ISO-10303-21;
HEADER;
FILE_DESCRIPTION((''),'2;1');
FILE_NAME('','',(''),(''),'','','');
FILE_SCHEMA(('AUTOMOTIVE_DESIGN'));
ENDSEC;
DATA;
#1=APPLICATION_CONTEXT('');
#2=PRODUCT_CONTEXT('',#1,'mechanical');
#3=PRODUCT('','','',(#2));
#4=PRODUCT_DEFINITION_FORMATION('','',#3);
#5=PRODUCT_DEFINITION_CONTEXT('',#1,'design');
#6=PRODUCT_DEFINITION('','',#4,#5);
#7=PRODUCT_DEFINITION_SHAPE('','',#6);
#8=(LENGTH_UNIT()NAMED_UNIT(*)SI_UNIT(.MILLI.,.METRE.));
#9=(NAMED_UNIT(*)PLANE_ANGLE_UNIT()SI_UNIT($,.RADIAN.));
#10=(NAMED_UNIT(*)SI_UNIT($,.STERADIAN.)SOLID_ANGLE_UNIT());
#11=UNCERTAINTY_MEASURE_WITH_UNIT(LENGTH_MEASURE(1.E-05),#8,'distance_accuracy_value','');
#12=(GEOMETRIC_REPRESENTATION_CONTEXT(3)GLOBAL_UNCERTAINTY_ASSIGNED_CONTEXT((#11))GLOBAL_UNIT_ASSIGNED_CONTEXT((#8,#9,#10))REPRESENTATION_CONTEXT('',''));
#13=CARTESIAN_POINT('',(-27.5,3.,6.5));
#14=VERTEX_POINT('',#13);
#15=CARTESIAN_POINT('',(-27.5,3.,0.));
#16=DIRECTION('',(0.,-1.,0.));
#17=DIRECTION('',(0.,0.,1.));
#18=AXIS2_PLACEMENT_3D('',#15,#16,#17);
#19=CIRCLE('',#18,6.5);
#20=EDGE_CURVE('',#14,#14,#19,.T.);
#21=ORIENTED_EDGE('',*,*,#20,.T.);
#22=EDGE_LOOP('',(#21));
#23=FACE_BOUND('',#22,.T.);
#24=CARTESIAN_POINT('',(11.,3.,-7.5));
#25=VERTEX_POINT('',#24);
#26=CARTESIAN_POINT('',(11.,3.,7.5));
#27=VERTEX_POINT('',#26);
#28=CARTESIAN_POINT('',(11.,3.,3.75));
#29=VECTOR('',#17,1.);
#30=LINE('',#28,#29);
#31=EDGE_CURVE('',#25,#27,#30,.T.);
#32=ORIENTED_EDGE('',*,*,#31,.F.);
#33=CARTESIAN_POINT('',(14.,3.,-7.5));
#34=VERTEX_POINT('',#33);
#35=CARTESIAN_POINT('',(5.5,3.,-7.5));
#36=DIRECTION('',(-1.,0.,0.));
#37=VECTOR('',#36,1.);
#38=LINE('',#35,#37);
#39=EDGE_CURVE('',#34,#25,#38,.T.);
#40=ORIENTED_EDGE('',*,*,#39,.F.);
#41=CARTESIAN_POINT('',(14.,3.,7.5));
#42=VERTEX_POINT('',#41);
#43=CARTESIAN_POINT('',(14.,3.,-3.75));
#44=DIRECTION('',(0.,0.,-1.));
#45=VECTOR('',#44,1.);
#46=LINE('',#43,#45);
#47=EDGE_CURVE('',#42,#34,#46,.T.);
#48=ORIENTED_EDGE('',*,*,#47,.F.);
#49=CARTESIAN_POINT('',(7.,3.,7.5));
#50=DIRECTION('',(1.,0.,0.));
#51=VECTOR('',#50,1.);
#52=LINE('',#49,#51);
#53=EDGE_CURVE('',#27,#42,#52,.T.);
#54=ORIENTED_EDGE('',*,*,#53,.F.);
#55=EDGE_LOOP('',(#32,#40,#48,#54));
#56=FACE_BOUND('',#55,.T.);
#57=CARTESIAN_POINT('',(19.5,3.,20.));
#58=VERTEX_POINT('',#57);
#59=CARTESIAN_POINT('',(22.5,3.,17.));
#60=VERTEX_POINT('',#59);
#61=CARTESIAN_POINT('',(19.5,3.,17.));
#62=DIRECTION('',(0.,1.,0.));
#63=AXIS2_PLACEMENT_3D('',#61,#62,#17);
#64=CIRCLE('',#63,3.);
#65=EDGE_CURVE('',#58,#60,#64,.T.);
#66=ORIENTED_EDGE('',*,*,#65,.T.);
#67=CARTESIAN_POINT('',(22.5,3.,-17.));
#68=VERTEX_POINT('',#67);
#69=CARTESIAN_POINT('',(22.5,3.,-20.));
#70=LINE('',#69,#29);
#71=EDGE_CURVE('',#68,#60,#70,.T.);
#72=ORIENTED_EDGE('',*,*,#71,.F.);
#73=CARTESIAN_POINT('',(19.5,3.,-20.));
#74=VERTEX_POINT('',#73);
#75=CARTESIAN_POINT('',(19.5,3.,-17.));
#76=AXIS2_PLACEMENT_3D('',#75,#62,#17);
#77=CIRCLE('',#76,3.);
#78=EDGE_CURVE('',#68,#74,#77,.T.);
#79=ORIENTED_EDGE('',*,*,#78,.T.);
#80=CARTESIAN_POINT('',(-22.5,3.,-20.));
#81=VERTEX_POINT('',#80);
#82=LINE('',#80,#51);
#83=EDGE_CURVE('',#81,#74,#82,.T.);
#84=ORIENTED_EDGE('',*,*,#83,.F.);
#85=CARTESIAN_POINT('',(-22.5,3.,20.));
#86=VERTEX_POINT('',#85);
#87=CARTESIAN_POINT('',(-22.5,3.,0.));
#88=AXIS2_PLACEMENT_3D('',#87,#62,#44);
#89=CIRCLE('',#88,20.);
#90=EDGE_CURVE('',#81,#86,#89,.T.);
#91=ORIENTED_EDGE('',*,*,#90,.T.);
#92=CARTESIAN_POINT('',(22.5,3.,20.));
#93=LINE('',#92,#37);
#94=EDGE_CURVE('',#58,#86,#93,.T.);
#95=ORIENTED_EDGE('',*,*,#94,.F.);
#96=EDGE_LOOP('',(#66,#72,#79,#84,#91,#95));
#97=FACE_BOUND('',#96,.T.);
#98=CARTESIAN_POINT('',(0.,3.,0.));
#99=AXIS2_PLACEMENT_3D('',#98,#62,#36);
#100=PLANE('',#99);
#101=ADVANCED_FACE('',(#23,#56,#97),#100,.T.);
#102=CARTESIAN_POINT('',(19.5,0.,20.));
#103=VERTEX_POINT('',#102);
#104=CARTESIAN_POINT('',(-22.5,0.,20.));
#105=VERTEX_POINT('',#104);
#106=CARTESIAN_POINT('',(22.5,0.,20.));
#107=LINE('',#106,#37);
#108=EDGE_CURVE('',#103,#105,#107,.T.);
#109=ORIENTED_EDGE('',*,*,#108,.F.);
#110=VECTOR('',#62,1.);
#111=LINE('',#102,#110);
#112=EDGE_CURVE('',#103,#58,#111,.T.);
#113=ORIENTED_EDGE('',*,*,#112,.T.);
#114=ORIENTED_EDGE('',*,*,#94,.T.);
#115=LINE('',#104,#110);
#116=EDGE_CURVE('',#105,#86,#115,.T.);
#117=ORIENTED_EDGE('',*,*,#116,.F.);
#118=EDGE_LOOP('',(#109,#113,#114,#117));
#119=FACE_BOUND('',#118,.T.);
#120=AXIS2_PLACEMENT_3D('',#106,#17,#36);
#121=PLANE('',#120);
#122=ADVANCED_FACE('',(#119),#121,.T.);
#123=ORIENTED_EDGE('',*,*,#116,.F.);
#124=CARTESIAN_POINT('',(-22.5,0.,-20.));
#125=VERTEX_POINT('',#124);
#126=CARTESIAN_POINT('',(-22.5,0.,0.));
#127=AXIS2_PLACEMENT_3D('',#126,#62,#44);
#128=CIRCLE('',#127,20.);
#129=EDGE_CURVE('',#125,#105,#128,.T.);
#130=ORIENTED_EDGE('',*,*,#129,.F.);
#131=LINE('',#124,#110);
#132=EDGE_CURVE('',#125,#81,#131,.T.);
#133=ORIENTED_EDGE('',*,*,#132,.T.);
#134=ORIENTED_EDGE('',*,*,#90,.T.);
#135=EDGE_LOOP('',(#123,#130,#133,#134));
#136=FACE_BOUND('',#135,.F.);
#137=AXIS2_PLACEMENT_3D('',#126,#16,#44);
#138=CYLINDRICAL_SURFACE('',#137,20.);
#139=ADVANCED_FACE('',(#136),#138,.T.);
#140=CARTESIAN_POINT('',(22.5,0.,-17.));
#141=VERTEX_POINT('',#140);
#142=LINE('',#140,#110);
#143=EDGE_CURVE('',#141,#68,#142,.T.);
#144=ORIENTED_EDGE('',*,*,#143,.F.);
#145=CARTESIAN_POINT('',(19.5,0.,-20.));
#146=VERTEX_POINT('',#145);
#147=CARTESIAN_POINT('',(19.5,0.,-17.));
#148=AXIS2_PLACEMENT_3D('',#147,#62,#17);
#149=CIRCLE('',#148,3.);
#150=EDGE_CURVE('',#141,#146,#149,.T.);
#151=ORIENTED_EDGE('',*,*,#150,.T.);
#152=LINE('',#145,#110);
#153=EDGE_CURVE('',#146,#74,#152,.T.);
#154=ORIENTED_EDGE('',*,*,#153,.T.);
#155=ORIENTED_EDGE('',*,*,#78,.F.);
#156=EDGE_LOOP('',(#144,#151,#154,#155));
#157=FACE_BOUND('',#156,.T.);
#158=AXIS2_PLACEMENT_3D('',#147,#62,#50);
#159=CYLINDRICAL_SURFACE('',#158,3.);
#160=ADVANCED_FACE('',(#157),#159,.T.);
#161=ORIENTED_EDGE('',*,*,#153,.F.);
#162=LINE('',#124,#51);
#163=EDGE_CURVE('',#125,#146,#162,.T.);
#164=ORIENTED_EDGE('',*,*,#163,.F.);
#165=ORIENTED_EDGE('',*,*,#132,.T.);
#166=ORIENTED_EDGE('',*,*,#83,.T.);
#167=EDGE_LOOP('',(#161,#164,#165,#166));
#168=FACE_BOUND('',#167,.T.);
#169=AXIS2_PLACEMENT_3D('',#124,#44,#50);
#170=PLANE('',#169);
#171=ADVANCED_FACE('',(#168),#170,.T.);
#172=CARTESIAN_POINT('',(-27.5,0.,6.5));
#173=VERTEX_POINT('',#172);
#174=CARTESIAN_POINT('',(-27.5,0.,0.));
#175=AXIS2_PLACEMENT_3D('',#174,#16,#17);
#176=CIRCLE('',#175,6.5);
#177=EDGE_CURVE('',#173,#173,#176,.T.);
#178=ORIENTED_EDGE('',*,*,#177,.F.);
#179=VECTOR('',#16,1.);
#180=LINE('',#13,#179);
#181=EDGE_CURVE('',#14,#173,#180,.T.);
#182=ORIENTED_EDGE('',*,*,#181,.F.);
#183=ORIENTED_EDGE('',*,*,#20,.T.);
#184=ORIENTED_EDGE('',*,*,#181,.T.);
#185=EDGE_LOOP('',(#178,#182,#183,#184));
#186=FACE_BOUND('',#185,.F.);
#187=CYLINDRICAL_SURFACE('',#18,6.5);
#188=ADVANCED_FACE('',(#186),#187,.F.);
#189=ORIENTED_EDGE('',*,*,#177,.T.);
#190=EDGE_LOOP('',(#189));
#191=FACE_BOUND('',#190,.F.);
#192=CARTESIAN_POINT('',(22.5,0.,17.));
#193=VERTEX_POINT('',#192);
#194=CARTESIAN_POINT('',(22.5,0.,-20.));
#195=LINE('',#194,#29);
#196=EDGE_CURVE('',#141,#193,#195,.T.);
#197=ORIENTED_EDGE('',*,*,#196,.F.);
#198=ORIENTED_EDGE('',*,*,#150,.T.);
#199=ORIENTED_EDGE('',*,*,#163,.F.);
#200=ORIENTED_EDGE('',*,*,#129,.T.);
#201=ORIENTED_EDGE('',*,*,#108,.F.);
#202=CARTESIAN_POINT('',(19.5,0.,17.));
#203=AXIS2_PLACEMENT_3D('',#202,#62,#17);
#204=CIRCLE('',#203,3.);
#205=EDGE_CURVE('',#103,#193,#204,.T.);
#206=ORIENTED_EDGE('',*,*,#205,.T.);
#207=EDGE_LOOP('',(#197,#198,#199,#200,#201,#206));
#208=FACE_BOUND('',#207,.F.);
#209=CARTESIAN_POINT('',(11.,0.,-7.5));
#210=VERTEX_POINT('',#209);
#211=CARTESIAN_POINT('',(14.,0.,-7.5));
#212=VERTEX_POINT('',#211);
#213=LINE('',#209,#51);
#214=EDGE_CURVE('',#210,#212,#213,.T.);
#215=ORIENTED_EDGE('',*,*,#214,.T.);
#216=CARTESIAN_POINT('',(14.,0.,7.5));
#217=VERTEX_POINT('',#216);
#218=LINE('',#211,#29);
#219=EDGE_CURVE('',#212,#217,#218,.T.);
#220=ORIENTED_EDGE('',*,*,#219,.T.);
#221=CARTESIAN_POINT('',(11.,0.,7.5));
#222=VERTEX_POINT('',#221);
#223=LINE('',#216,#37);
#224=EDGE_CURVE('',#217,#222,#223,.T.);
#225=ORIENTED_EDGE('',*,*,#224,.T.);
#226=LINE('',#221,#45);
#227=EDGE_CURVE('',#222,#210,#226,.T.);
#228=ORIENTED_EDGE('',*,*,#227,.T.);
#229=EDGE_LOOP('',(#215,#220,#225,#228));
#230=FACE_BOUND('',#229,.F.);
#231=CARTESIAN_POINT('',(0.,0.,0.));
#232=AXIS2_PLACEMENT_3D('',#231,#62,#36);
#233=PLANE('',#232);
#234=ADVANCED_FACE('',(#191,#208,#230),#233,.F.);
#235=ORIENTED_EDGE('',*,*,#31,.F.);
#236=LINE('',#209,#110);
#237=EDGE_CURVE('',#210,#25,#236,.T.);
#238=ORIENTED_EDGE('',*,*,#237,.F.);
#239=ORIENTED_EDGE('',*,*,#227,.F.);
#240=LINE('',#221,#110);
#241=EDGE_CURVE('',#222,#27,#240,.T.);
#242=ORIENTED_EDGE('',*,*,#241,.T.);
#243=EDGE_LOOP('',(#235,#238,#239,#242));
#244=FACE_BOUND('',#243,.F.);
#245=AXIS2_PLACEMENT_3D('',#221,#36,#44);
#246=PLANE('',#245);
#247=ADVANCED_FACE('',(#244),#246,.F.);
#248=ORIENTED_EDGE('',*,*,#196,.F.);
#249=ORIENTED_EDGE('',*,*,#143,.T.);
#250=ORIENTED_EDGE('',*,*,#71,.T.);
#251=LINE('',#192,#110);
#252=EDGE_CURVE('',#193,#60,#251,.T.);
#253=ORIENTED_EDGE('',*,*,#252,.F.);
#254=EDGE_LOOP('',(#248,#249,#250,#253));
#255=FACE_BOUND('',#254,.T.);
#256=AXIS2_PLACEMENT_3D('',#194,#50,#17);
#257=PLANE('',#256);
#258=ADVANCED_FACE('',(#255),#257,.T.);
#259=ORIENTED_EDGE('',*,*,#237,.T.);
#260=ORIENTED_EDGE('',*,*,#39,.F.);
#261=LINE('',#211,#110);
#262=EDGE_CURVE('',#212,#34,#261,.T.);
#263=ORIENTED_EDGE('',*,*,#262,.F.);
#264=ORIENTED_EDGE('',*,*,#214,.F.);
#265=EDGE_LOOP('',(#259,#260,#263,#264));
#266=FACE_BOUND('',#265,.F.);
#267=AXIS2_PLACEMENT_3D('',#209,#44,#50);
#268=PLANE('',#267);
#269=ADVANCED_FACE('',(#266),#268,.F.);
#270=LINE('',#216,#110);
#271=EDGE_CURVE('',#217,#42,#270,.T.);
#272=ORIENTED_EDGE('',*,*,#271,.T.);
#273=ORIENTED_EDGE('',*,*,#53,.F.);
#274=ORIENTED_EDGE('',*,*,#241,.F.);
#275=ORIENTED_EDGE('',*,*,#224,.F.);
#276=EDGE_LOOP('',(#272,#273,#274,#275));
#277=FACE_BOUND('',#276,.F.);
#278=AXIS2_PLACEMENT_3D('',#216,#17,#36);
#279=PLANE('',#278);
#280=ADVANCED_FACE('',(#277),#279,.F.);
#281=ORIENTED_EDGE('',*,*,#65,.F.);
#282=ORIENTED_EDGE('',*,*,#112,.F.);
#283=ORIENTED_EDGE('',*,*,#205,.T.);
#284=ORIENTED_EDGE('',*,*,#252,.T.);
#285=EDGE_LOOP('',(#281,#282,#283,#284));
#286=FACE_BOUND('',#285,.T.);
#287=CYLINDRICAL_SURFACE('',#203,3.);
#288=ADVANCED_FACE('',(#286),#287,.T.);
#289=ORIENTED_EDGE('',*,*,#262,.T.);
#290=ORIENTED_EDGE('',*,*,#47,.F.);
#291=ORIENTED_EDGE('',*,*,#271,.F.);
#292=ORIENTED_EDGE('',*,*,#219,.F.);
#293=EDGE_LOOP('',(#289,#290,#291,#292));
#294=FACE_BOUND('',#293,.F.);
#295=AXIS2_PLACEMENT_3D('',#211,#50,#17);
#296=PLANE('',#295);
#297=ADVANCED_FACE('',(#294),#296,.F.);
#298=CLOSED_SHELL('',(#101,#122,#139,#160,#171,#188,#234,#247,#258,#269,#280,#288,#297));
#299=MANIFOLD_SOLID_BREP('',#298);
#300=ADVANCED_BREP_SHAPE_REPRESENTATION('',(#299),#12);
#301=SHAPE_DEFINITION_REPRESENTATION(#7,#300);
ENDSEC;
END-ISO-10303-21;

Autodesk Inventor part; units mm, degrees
ref_plane "YZ Plane" through (0, 0, 0) normal (1, 0, 0) x (0, 1, 0)
ref_plane "XZ Plane" through (0, 0, 0) normal (0, 1, 0) x (-1, 0, 0)
ref_plane "XY Plane" through (0, 0, 0) normal (0, 0, 1) x (1, 0, 0)
sketch "Sketch1" plane through (0, 0, 0) normal (0, 1, 0) x (-1, 0, 0)
  line L0 (-22.5, 20) -> (22.5, 20)
  line L1 (22.5, 20) -> (22.5, -20)
  line L2 (22.5, -20) -> (-22.5, -20)
  line L3 (-22.5, -20) -> (-22.5, 20)
  line L4 (-22.5, 20) -> (22.5, -20) construction
  line L5 (22.5, 20) -> (-22.5, -20) construction
  arc A0 (22.5, -20) -> (22.5, 20) centre (22.5, 0) ccw
  point P0 (0, 0)
  dimension "d0" = 45
  dimension "d1" = 40
  dimension "d2" = 20
extrude "Extrusion1" add sketch "Sketch1" along normal blind 3
sketch "Sketch2" plane through (0, 3, 0) normal (0, 1, 0) x (1, 0, 0)
  arc A0 (-22.5, 20) -> (-22.5, -20) centre (-22.5, 0) ccw construction
  line L0 (-42.5, 0) -> (-27.5, 0) construction
  point P0 (0, 0)
  dimension "d5" = 15
hole "Hole1" at (-27.5, 3, 0) direction (0, -1, 0) diameter 13 end through all
sketch "Sketch4" plane through (0, 0, 0) normal (0, -1, 0) x (1, 0, 0)
  line L0 (22.5, 20) -> (22.5, -20) construction
  line L1 (22.5, 0) -> (12.5, 0) construction
  line L2 (11, -7.5) -> (14, -7.5)
  line L3 (14, -7.5) -> (14, 7.5)
  line L4 (14, 7.5) -> (11, 7.5)
  line L5 (11, 7.5) -> (11, -7.5)
  line L6 (11, -7.5) -> (14, 7.5) construction
  line L7 (14, -7.5) -> (11, 7.5) construction
  point P0 (0, 0)
  dimension "d17" = 10
  dimension "d18" = 3
  dimension "d19" = 15
extrude "Extrusion3" cut sketch "Sketch4" against normal blind 10
fillet "Fillet1" radius 3 2 edges at (22.5, 1.5, -20) (22.5, 1.5, 20)
properties part number "sample_mount"
